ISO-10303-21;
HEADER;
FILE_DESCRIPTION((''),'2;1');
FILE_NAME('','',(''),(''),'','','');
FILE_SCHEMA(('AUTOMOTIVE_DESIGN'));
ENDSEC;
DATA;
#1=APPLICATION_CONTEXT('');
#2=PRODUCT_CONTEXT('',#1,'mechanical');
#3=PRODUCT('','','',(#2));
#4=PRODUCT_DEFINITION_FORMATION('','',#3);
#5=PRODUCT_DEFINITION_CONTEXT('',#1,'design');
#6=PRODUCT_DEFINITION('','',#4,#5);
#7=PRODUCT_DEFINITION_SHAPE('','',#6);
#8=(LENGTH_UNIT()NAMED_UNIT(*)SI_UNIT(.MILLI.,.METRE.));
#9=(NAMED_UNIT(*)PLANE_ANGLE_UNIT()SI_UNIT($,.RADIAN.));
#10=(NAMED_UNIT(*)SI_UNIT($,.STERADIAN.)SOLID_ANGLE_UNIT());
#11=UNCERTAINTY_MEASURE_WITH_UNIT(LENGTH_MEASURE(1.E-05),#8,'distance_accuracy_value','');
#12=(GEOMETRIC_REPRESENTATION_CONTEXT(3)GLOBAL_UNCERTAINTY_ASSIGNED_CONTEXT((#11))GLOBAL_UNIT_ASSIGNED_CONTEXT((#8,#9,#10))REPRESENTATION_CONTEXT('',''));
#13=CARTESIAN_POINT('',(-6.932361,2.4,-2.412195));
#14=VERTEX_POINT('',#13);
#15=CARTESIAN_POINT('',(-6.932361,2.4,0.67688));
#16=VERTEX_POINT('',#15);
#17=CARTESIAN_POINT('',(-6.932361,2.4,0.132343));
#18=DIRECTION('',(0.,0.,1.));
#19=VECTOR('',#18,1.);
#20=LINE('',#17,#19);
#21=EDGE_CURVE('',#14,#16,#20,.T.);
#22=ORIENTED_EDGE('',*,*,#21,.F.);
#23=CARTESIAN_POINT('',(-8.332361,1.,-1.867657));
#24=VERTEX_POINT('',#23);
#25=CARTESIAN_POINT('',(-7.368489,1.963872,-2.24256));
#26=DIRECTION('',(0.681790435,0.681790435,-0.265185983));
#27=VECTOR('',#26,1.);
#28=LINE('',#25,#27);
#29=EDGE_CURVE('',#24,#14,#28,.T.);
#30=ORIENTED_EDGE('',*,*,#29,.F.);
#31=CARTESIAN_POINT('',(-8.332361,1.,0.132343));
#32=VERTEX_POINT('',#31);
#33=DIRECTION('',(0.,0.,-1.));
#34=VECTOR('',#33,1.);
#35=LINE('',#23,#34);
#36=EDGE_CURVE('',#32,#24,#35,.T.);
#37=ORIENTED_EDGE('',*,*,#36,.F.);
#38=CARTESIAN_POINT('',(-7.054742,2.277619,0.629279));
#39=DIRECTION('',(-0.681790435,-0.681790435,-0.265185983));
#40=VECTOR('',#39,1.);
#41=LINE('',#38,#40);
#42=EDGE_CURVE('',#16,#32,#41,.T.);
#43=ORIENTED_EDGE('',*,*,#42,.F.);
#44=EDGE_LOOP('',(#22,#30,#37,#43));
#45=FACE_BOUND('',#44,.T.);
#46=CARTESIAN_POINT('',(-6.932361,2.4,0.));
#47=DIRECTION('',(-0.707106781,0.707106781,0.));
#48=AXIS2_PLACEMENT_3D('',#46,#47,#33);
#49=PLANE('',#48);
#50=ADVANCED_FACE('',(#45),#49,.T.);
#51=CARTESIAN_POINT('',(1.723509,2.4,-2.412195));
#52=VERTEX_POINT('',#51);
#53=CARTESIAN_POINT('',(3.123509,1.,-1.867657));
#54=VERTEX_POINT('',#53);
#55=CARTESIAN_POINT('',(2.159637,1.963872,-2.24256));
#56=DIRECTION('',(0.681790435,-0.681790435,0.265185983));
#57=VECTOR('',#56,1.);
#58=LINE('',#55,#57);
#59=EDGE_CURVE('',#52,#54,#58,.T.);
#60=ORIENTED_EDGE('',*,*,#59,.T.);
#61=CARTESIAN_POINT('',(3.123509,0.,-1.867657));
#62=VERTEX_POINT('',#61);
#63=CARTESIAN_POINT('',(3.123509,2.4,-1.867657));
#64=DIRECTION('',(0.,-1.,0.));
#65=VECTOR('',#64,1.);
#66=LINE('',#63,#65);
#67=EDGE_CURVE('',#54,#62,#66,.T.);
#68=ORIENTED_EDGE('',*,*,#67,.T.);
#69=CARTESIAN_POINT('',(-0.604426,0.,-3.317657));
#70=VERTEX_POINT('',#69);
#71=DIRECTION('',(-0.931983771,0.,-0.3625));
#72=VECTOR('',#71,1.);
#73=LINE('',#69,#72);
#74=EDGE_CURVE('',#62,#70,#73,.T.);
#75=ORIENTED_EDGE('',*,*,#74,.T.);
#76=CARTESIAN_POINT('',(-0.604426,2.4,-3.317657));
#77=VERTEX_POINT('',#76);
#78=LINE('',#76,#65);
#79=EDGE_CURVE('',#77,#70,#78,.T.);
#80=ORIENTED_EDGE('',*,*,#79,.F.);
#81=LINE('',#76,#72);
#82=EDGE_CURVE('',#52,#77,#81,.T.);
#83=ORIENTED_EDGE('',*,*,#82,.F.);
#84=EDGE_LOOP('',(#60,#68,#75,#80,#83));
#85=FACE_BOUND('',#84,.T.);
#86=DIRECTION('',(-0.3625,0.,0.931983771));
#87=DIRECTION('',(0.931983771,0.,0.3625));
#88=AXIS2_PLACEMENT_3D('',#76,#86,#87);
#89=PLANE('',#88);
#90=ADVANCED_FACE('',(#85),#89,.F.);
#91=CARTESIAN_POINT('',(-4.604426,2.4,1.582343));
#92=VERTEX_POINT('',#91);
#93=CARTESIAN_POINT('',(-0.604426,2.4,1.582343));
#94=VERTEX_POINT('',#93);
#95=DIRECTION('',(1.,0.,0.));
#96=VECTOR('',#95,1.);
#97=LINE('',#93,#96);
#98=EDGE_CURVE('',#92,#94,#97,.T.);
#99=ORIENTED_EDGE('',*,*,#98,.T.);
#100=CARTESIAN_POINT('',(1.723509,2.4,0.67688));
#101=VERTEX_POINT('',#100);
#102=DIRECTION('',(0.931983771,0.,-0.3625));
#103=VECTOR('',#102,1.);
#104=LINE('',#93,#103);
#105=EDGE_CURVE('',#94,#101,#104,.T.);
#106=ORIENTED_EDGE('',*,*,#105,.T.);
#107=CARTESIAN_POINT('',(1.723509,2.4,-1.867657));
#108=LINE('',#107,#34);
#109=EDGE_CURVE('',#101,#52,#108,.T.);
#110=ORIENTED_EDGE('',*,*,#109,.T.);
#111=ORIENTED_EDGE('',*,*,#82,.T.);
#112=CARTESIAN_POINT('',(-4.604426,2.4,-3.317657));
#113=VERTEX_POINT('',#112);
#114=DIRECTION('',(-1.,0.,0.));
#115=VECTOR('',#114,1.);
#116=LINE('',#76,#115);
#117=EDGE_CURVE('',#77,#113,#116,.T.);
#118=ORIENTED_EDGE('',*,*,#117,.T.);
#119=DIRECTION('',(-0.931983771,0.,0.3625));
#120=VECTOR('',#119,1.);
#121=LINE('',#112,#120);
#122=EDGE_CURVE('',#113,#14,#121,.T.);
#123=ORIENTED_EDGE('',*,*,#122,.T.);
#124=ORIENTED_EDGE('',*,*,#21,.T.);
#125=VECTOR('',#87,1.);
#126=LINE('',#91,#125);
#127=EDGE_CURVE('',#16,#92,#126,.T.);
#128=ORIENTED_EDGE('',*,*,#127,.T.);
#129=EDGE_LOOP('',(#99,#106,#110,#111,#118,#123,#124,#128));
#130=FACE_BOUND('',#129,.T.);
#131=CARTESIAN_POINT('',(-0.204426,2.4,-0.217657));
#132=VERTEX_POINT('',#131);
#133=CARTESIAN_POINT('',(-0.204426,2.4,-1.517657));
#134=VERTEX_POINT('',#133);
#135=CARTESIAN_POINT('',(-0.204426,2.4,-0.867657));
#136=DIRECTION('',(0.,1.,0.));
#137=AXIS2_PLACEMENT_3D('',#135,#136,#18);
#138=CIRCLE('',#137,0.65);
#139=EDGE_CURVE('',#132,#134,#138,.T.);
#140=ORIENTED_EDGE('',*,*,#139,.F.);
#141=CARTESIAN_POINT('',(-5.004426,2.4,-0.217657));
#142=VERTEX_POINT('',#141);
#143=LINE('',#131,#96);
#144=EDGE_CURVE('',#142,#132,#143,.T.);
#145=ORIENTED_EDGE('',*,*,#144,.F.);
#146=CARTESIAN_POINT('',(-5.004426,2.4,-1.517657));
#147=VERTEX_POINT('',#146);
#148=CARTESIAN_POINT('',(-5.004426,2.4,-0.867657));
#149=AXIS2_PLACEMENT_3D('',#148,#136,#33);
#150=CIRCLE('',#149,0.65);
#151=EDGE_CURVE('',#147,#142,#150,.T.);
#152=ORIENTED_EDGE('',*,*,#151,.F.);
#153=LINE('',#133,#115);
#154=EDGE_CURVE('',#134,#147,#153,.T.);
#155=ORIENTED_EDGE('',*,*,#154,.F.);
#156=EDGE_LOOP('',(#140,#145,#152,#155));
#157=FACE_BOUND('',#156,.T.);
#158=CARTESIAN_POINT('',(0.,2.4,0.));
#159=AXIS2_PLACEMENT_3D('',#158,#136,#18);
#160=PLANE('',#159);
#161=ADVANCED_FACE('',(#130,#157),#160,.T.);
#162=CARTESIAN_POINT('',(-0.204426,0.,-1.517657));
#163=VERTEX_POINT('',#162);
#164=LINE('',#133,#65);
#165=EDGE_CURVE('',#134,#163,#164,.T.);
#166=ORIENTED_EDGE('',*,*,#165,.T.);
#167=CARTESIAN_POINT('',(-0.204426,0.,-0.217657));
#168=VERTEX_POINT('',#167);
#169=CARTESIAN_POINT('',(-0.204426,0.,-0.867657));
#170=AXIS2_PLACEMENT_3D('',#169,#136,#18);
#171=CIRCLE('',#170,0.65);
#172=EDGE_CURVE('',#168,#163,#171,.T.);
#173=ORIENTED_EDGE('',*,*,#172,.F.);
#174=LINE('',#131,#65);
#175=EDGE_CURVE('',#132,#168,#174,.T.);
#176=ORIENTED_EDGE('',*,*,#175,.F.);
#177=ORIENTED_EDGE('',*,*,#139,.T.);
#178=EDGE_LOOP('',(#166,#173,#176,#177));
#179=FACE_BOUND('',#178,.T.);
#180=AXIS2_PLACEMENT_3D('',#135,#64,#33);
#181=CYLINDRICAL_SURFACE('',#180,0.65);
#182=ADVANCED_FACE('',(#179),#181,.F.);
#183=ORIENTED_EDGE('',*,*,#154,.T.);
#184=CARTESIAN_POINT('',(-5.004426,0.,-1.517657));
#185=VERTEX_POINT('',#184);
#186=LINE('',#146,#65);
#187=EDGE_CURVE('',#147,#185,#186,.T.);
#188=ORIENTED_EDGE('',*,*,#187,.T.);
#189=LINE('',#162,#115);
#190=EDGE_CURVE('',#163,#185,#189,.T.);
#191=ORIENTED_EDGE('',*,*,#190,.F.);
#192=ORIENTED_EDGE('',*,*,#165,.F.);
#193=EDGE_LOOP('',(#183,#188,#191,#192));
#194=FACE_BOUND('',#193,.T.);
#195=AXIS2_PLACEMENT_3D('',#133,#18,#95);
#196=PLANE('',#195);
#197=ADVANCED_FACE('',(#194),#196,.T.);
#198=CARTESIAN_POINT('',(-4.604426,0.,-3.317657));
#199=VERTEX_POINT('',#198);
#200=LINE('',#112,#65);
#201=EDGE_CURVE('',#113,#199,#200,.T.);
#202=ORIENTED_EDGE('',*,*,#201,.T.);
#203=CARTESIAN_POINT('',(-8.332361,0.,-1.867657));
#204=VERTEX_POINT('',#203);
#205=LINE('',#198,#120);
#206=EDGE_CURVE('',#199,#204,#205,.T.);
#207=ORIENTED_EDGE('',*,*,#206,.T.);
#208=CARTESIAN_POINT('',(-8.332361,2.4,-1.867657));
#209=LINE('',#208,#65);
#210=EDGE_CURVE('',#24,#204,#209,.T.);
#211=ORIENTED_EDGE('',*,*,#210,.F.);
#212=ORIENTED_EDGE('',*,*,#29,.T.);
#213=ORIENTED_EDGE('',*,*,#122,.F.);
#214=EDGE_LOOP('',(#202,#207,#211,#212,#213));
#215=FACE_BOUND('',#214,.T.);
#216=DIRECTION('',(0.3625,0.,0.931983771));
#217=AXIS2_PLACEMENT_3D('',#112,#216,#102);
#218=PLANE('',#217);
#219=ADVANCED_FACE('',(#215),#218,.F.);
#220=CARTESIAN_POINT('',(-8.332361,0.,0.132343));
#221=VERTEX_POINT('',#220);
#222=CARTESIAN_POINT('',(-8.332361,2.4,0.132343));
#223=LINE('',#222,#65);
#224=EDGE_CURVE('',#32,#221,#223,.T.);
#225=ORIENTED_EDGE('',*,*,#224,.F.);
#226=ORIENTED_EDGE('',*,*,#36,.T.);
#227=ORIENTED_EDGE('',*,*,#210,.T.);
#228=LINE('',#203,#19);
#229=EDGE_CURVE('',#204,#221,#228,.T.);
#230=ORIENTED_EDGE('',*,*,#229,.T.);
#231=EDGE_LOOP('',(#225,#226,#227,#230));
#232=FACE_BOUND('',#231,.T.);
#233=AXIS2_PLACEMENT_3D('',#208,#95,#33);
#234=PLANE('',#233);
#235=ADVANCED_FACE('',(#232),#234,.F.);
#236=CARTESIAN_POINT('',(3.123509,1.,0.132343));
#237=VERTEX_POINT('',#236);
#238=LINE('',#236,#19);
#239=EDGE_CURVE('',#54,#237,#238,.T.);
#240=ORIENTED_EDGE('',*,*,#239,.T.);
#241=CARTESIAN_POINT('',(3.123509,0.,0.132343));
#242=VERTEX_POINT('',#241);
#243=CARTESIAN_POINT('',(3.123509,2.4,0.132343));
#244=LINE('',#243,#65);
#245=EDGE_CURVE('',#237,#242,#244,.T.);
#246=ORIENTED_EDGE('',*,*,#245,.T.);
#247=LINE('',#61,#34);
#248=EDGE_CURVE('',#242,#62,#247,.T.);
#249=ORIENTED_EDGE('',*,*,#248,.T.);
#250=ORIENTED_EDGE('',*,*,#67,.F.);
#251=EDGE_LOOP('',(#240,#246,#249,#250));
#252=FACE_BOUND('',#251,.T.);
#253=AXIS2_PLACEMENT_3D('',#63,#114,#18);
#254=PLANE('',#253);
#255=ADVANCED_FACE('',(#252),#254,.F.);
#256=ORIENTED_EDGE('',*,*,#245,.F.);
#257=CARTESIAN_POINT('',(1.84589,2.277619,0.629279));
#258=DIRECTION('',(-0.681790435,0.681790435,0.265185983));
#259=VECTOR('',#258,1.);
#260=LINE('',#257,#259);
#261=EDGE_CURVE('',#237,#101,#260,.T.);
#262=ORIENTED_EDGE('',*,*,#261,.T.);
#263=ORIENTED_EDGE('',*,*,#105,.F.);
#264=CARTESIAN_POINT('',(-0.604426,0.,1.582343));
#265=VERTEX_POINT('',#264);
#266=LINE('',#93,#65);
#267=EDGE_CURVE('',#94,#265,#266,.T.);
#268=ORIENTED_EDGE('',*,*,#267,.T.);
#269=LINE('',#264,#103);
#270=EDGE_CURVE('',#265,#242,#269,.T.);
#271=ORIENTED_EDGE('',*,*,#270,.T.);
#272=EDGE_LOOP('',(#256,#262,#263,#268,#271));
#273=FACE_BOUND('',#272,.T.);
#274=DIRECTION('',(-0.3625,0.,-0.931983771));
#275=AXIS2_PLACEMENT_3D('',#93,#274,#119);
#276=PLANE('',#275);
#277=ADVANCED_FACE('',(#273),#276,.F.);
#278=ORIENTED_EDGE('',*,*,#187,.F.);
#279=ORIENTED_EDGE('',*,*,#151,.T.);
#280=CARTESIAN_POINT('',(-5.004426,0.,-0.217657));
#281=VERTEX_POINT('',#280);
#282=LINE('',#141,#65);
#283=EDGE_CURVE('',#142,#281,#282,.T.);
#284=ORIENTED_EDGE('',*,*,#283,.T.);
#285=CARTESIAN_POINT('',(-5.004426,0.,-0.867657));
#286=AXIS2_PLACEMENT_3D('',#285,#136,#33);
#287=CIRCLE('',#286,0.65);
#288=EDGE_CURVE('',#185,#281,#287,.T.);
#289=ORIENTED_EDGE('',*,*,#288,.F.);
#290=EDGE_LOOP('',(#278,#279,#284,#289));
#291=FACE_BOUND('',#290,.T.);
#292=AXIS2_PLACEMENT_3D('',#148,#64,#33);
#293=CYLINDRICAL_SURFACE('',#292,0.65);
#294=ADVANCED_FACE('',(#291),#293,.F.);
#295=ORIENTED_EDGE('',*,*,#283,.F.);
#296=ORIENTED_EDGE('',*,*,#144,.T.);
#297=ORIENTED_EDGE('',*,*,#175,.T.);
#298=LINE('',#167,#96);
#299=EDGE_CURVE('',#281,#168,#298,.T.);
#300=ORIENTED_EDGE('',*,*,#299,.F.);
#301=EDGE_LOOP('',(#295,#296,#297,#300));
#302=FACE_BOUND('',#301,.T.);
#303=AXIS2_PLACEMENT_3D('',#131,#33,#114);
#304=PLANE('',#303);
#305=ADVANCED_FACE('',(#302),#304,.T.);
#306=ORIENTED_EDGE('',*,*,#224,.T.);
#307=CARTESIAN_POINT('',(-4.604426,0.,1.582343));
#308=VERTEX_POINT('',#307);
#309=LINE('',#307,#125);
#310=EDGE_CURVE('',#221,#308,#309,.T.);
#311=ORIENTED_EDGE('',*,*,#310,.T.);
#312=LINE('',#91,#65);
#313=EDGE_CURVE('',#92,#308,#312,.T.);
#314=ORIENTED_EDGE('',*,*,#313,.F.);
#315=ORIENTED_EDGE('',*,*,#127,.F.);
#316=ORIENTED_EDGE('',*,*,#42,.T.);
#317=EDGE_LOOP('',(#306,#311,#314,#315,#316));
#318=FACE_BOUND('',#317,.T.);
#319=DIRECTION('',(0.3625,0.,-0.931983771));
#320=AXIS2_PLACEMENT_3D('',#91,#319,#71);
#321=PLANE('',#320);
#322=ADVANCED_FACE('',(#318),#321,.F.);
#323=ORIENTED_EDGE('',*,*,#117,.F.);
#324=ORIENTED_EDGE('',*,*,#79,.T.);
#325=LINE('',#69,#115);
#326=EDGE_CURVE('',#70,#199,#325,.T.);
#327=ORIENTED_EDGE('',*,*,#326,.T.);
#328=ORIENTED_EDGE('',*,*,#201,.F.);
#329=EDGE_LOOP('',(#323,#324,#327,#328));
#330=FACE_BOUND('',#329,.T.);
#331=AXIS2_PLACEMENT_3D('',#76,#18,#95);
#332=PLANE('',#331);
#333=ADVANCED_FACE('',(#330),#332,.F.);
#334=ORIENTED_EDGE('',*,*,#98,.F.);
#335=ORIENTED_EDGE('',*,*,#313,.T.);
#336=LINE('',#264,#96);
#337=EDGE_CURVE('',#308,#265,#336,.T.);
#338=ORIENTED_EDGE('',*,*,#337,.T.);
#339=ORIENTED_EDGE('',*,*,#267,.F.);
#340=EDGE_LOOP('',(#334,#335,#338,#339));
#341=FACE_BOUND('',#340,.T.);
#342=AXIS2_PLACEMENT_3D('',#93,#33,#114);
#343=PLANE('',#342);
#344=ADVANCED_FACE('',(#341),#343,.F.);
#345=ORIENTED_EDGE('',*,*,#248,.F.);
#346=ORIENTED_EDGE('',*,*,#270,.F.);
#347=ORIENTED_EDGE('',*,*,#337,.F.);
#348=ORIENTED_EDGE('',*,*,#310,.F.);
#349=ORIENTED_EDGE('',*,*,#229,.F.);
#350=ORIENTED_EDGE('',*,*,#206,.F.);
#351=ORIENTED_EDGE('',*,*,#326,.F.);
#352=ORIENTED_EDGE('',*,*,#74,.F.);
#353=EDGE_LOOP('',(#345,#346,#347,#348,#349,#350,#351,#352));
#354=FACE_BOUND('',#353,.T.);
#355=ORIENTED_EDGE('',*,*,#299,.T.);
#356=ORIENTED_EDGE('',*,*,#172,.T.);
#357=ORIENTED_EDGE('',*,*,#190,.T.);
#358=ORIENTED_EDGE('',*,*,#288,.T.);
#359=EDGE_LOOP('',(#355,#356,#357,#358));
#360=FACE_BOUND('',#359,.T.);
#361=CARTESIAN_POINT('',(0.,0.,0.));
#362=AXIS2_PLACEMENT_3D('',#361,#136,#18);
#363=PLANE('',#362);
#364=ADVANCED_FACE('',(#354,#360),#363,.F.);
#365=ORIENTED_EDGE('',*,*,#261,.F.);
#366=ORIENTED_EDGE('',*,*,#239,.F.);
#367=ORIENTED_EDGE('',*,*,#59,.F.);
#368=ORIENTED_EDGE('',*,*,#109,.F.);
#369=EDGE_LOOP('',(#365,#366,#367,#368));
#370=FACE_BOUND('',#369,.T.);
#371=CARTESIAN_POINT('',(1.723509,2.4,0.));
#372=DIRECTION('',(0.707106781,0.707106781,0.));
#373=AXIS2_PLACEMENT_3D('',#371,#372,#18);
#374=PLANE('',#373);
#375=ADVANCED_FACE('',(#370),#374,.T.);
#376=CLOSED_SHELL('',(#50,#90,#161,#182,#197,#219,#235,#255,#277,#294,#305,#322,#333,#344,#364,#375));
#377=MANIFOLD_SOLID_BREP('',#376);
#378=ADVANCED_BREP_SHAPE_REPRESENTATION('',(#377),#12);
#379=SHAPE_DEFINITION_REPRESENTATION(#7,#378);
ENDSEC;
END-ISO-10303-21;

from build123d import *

# Parameters (mm, degrees)
BOSS_EXTRU_2_DEPTH = 2.4
CHANFREIN3_SIZE    = 1.4
CHANFREIN4_SIZE    = 1.4


with BuildPart() as part:
    # Esquisse2 → Boss.-Extru.2 (new body)
    with BuildSketch(Plane(origin=(0, 0, 0), x_dir=(1, 0, 0), z_dir=(0, 1, 0))):
        Polygon((-0.604426001, 3.317657231), (-4.604426001, 3.317657231), (-8.332361087, 1.867657231), (-8.332361087, -0.132342769), (-4.604426001, -1.582342769), (-0.604426001, -1.582342769), (3.123509084, -0.132342769), (3.123509084, 1.867657231), align=None)
        with BuildLine():
            Line((-0.204426001, 1.517657231), (-5.004426001, 1.517657231))
            ThreePointArc((-5.004426001, 1.517657231), (-5.654426001, 0.867657231), (-5.004426001, 0.217657231))
            Line((-5.004426001, 0.217657231), (-0.204426001, 0.217657231))
            ThreePointArc((-0.204426001, 0.217657231), (0.445573999, 0.867657231), (-0.204426001, 1.517657231))
        make_face(mode=Mode.SUBTRACT)
    extrude(amount=BOSS_EXTRU_2_DEPTH)

    # Chanfrein3
    chanfrein3_edges = [part.edges().sort_by_distance(p)[0] for p in [
        (-8.332361087, 2.4, -0.867657231),
    ]]
    chamfer(chanfrein3_edges, length=CHANFREIN3_SIZE)

    # Chanfrein4
    chanfrein4_edges = [part.edges().sort_by_distance(p)[0] for p in [
        (3.123509084, 2.4, -0.867657231),
    ]]
    chamfer(chanfrein4_edges, length=CHANFREIN4_SIZE)


solid = part.part
